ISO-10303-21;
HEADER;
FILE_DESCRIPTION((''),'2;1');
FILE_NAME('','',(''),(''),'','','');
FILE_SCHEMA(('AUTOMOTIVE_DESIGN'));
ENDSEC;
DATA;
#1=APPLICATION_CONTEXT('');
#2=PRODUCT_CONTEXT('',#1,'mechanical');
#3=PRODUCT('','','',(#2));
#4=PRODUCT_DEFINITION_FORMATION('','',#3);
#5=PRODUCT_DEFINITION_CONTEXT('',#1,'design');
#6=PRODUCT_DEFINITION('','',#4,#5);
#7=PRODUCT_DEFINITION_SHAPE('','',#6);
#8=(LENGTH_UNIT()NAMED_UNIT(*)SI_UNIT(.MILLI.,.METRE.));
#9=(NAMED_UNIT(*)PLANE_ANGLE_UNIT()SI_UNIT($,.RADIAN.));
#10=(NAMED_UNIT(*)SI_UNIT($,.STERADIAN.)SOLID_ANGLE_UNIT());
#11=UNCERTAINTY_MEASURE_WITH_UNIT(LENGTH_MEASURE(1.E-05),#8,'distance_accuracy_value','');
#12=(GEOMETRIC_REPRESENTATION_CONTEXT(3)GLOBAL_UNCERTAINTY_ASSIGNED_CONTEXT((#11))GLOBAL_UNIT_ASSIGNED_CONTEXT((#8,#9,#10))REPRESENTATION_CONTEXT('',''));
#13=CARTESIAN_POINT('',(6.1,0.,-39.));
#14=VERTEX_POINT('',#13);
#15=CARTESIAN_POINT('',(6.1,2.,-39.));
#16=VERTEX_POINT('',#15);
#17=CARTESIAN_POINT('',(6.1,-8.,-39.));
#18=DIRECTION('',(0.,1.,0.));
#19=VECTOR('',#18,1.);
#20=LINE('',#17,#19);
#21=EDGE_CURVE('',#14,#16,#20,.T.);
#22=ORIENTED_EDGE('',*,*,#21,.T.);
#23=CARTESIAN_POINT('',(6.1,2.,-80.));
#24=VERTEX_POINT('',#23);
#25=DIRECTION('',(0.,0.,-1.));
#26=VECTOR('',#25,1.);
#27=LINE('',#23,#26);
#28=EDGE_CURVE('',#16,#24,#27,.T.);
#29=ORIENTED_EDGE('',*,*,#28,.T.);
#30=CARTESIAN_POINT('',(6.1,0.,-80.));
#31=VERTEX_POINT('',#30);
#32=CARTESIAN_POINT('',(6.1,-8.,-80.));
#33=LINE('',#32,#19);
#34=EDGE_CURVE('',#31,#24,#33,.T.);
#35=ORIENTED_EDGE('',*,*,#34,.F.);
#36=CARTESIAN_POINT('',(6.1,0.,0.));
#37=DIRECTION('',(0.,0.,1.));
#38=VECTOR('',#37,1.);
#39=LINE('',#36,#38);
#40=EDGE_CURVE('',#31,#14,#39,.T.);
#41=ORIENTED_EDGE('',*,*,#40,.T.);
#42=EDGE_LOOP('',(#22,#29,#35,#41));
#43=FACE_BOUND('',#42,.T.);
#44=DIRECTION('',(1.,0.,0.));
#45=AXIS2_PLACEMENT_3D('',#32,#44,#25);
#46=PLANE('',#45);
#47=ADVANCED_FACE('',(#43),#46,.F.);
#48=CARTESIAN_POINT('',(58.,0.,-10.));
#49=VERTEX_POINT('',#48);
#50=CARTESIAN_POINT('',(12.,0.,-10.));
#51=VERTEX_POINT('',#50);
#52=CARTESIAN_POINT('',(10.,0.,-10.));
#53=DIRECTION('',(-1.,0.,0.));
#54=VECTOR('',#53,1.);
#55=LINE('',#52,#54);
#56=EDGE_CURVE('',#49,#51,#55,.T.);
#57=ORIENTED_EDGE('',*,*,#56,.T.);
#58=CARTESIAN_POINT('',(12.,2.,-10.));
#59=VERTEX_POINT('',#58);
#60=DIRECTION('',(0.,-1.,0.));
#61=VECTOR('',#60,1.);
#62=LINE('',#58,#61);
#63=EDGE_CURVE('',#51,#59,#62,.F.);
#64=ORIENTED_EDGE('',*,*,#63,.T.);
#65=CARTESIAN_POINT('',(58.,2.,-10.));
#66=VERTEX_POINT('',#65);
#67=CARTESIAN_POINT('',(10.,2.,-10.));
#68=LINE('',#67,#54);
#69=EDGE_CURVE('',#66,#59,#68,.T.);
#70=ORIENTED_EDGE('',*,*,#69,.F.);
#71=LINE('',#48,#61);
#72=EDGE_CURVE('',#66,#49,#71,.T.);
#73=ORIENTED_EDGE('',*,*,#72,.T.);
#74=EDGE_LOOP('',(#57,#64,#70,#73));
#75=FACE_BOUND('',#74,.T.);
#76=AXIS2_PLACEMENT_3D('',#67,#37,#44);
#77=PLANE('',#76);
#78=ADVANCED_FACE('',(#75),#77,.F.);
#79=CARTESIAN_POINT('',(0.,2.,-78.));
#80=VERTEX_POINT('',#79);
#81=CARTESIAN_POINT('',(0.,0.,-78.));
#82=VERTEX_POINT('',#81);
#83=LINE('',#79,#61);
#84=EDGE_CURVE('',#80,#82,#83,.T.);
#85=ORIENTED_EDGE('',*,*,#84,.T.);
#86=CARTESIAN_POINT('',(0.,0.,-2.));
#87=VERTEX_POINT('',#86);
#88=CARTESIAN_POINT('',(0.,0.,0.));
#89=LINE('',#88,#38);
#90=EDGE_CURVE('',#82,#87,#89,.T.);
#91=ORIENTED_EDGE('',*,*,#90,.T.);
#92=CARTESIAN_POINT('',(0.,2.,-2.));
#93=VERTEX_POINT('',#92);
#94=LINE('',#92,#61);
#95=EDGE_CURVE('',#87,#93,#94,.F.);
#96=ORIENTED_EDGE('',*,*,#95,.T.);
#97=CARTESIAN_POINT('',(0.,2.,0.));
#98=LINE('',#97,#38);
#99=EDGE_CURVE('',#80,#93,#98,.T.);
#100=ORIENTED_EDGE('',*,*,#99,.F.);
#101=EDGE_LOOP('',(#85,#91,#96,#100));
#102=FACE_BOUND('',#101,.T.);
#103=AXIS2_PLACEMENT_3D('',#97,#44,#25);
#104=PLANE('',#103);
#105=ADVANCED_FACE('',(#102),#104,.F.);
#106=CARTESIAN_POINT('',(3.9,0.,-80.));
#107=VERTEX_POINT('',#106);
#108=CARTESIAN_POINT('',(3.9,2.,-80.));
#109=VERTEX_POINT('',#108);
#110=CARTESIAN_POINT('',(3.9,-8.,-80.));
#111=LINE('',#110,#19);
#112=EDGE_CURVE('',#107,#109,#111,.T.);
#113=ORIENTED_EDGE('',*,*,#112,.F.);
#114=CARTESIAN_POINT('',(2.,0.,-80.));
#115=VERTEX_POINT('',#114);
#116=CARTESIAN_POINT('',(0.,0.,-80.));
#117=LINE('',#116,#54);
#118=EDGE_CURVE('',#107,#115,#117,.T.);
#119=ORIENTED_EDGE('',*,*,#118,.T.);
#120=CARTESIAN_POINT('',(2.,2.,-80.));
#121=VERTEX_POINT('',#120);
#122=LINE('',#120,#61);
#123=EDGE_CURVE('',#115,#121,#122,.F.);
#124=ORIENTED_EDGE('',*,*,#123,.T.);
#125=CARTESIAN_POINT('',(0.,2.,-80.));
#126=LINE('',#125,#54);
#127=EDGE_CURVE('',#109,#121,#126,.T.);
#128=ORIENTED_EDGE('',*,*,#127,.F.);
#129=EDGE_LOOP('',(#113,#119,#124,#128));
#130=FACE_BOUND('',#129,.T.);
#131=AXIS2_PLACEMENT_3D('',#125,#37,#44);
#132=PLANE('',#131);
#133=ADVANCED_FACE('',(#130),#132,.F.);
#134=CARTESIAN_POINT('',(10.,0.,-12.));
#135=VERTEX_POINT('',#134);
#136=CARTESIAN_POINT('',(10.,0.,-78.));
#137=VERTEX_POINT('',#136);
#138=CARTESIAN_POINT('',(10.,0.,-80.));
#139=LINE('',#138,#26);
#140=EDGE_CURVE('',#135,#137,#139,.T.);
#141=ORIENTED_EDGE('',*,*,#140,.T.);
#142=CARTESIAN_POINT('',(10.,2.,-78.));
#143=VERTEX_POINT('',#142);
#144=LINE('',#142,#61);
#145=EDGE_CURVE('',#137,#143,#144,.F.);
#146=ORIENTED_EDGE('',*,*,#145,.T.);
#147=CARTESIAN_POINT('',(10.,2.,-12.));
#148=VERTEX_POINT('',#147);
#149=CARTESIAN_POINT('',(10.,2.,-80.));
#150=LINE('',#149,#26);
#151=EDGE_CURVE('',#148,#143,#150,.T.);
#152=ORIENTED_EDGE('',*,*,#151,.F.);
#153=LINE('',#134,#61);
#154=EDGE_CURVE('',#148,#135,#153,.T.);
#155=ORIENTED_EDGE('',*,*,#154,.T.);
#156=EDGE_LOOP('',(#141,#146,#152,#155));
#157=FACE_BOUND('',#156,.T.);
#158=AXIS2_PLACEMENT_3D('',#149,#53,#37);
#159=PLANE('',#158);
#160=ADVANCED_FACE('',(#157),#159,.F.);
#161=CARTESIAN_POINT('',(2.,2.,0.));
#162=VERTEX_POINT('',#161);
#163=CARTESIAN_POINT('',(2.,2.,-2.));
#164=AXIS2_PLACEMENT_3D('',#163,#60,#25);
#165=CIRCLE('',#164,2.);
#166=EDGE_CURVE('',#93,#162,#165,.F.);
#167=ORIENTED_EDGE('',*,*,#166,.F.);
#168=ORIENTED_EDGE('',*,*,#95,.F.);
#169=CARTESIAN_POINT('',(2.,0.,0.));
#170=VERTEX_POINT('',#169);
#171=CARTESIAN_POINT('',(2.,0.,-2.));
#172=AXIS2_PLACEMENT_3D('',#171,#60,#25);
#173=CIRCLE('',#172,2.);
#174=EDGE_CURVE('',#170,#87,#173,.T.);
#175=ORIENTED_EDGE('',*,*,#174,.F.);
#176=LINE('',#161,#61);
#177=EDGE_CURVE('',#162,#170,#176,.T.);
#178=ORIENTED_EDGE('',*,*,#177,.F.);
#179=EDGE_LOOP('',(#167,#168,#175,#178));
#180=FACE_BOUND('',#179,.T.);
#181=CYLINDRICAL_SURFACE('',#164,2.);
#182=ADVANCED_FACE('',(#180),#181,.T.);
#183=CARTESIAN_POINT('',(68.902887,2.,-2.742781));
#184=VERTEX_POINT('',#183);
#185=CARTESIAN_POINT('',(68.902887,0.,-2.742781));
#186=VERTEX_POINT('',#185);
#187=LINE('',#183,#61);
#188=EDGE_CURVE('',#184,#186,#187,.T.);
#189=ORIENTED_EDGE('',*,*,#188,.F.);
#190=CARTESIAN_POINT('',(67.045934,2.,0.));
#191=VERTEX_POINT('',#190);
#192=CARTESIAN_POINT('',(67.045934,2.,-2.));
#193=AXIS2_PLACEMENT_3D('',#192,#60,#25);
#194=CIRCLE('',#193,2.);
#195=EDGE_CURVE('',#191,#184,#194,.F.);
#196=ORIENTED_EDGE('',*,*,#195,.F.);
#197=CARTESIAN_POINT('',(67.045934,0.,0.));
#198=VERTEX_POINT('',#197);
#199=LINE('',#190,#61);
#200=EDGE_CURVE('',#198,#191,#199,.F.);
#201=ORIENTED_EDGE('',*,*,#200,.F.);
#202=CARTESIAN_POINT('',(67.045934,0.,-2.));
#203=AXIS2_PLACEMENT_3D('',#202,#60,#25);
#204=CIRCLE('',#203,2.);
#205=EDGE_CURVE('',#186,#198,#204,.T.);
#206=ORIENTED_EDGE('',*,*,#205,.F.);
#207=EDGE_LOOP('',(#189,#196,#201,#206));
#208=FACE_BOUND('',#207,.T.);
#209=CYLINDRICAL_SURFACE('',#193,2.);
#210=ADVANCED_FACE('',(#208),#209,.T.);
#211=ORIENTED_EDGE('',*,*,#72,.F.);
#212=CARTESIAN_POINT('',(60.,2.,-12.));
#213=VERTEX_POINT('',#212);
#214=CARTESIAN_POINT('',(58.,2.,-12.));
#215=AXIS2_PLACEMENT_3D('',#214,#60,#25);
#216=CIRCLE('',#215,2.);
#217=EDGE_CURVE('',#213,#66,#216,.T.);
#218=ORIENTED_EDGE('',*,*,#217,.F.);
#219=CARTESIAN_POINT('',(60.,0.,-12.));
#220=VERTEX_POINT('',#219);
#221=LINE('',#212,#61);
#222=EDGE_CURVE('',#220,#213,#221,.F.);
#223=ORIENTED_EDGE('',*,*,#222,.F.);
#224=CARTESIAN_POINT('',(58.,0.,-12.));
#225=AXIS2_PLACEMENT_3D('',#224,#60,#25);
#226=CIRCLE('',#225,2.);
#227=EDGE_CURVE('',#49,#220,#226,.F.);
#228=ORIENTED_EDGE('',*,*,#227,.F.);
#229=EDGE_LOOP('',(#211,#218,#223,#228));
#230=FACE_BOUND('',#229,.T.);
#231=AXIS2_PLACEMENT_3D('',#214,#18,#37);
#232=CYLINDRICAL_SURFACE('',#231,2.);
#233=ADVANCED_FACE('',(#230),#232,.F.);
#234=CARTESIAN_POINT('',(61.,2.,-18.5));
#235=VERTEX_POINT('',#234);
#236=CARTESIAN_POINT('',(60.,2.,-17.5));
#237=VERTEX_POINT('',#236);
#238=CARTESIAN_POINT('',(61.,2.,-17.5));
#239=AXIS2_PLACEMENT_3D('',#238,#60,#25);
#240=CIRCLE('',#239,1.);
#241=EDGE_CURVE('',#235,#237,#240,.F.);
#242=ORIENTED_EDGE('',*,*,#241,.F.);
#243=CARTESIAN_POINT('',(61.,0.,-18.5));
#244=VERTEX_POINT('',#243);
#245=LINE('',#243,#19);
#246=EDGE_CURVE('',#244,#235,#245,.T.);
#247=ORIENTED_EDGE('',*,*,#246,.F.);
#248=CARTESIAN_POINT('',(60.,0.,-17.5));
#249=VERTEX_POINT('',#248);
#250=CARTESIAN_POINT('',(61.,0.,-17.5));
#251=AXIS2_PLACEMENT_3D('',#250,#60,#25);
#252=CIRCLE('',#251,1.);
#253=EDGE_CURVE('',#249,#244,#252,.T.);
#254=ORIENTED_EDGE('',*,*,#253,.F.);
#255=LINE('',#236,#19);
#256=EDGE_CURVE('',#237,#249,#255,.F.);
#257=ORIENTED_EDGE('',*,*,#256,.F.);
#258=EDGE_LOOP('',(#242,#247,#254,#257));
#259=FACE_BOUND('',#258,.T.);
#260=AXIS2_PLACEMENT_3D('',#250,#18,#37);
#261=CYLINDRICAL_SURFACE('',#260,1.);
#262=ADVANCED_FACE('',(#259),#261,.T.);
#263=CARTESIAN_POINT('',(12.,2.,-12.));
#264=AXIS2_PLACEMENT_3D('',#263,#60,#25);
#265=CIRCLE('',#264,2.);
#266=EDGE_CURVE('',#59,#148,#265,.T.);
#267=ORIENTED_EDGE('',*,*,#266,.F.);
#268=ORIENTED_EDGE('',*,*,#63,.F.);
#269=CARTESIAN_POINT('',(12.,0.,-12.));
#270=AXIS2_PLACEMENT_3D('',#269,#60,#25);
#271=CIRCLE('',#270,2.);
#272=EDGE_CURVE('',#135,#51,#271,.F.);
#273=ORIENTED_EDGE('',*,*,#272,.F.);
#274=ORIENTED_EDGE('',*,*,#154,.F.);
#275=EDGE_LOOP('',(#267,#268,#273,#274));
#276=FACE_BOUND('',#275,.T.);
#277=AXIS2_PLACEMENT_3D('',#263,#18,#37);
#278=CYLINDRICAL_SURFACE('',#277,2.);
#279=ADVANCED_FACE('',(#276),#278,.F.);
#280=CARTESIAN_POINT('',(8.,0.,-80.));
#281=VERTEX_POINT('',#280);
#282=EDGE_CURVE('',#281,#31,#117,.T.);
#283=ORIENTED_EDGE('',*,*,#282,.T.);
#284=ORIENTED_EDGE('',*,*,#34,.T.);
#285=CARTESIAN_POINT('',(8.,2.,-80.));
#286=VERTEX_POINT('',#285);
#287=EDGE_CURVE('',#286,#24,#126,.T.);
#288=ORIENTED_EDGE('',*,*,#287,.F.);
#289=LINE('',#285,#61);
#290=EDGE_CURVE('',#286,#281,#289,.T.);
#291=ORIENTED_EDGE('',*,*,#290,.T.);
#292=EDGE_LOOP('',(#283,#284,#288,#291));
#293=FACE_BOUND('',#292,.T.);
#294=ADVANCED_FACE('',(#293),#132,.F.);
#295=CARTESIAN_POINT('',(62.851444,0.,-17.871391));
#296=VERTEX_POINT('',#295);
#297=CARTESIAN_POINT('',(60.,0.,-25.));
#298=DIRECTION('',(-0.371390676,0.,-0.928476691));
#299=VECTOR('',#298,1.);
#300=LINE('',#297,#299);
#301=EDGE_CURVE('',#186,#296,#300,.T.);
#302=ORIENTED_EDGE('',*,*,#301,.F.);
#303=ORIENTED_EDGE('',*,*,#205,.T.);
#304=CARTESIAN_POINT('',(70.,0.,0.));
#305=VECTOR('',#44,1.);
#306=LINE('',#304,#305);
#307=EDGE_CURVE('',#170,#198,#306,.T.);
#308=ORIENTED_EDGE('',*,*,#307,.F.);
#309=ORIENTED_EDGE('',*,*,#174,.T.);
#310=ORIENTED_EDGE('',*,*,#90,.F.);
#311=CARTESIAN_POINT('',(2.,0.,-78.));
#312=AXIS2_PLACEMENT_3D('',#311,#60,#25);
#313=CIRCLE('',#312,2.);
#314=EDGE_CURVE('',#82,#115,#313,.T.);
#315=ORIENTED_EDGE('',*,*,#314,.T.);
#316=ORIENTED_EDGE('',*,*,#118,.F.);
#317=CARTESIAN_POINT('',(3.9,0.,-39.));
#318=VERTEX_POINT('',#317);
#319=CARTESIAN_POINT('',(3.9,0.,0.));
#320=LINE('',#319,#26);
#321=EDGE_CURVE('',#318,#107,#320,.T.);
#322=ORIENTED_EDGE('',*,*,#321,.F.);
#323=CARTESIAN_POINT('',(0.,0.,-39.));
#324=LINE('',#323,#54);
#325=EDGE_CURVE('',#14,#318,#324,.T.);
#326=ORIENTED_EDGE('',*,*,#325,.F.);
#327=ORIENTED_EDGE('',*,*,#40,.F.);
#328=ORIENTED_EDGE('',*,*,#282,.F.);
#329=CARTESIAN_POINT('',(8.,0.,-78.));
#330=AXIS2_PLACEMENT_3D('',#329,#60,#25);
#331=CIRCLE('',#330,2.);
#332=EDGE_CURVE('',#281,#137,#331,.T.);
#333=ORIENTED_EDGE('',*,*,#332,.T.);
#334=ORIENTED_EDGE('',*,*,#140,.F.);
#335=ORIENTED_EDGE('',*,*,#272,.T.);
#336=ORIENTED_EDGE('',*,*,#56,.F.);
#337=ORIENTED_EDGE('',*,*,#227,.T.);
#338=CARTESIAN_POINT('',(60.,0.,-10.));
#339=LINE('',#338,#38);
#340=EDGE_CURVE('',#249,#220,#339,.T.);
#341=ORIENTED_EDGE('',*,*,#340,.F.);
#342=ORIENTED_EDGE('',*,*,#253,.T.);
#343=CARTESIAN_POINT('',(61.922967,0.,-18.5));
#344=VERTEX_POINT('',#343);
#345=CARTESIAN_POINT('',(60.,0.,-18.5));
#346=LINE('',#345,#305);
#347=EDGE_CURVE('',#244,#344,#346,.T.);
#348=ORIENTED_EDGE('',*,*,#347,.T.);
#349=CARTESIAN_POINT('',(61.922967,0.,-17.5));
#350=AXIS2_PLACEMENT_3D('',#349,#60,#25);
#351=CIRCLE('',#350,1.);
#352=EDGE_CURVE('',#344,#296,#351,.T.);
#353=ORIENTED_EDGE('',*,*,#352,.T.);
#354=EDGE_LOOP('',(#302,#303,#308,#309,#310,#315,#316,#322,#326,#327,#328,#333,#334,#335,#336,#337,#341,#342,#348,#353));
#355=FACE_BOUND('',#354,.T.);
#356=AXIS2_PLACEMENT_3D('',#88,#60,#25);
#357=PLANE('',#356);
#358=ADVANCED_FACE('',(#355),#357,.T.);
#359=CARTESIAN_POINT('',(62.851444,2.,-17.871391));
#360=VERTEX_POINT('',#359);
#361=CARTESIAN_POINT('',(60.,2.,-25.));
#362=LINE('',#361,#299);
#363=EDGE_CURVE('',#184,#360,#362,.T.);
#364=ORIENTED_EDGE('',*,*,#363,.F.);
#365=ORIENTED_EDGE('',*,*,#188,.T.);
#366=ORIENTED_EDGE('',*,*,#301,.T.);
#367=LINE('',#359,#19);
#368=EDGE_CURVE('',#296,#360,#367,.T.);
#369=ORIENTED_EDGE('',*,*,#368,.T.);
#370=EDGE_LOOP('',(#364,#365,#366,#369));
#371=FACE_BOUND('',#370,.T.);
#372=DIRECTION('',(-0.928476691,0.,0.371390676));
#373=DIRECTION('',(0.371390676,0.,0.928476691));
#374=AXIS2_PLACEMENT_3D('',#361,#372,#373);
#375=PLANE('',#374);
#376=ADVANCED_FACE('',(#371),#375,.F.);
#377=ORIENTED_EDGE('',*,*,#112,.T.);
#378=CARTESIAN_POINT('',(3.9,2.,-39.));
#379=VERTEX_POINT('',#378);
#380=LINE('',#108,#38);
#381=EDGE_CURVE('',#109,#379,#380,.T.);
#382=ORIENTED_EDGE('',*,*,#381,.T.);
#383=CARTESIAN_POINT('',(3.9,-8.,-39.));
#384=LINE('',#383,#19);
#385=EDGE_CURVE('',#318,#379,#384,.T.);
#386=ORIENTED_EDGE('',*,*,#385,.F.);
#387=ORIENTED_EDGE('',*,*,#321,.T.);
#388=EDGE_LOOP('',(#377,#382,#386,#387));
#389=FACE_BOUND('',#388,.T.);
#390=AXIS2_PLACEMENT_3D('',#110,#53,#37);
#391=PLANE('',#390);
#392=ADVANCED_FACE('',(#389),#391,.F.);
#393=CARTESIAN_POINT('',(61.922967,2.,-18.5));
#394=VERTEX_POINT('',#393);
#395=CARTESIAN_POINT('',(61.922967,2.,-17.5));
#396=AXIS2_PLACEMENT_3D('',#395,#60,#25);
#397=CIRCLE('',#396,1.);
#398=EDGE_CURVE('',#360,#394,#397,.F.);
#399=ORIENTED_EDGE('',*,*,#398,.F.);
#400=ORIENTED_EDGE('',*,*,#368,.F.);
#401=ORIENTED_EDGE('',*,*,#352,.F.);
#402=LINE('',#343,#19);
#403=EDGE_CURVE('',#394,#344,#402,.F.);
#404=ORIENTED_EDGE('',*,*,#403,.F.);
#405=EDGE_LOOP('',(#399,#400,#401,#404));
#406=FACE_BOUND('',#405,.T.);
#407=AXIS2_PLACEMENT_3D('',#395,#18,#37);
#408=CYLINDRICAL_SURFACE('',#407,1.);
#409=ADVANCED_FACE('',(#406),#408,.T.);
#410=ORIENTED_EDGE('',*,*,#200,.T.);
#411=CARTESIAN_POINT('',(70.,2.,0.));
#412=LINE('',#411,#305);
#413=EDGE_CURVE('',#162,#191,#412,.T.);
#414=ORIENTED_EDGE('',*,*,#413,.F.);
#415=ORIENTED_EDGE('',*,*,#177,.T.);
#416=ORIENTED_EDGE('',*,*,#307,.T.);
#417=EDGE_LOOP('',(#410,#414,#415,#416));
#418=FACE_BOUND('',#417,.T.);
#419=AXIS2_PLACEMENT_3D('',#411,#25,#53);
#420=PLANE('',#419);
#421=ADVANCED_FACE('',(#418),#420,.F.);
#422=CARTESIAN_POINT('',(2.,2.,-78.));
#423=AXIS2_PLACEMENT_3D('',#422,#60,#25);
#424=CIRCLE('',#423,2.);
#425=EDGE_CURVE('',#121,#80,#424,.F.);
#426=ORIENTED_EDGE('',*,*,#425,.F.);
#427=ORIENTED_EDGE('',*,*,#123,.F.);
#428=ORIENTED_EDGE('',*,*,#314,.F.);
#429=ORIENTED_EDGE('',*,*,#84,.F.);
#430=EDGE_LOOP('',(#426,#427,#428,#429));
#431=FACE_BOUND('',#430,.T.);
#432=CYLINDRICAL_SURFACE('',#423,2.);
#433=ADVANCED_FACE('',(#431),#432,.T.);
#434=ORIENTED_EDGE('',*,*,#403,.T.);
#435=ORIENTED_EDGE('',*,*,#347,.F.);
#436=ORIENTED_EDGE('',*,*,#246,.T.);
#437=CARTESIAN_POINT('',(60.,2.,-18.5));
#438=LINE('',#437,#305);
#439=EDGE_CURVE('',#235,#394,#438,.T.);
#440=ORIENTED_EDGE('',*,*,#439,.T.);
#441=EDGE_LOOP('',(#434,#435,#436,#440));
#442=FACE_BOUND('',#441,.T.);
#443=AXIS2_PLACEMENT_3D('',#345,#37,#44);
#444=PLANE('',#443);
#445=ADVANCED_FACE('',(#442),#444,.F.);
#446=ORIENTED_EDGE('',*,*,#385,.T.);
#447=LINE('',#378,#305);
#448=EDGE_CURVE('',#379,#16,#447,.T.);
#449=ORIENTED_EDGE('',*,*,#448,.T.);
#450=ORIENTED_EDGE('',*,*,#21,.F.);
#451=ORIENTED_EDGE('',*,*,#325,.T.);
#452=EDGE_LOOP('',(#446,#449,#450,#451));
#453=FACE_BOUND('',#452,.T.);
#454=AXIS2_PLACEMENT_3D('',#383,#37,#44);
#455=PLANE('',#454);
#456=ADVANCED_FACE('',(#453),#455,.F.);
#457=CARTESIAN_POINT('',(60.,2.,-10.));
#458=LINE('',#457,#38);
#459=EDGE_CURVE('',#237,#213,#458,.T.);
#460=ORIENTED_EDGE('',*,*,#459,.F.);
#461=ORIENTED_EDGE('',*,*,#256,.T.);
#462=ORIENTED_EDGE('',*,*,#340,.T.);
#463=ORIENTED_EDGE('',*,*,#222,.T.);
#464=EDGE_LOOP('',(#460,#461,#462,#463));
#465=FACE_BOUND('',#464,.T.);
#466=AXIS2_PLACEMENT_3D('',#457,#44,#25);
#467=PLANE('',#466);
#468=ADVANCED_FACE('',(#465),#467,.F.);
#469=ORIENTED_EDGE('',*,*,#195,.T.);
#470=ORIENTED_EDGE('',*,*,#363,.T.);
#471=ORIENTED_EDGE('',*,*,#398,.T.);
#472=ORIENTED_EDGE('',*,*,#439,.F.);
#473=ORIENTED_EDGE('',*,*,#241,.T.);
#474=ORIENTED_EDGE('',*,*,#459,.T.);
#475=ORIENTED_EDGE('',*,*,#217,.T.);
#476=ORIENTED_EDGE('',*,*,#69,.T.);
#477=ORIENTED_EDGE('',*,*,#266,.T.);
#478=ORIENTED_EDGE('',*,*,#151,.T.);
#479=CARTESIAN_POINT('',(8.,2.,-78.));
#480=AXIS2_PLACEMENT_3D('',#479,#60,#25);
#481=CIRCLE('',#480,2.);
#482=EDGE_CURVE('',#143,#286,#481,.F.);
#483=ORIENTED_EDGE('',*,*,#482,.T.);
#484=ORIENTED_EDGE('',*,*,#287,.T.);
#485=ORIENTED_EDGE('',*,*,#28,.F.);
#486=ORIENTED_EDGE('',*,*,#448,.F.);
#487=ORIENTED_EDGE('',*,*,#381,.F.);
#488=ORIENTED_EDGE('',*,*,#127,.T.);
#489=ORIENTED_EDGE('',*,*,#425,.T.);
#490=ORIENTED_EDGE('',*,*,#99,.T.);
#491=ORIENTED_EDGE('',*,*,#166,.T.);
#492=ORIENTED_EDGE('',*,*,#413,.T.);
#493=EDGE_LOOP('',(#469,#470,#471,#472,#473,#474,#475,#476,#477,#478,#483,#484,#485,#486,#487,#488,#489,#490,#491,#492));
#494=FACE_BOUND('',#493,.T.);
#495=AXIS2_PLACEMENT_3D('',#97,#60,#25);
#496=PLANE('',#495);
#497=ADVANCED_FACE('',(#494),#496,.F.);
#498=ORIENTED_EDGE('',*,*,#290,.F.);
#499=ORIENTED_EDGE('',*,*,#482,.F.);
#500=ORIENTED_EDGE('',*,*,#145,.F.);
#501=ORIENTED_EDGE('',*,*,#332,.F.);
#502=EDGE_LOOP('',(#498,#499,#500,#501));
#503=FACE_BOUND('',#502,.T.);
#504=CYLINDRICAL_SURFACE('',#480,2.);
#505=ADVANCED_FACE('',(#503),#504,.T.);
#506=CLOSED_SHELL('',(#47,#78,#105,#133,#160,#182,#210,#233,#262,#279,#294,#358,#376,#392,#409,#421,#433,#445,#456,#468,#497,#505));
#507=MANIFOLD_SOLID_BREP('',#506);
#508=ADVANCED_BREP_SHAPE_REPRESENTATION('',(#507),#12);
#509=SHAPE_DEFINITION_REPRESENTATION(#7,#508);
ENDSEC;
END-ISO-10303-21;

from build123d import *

# Parameters (mm, degrees)
BOSS_EXTRUDE1_DEPTH = 2
FILLET1_R           = 2
CUT_EXTRUDE1_DEPTH  = 106.694564726
FILLET2_R           = 1
SKETCH3_W           = 2.2
SKETCH3_H           = 41
CUT_EXTRUDE2_DEPTH  = 10


with BuildPart() as part:
    # Sketch1 → Boss-Extrude1 (new body)
    with BuildSketch(Plane(origin=(0, 0, 0), x_dir=(1, 0, 0), z_dir=(0, 1, 0))):
        Polygon((0, 0), (0, 80), (10, 80), (10, 10), (60, 10), (60, 25), (70, 0), align=None)
    extrude(amount=BOSS_EXTRUDE1_DEPTH)

    # Fillet1
    fillet1_edges = [part.edges().sort_by_distance(p)[0] for p in [
        (0, 1, 0),
        (0, 1, -80),
        (10, 1, -80),
        (10, 1, -10),
        (60, 1, -10),
        (70, 1, 0),
    ]]
    fillet(fillet1_edges, radius=FILLET1_R)

    # Sketch2 → Cut-Extrude1 (cut, through all)
    with BuildSketch(Plane(origin=(0, 2, 0), x_dir=(1, 0, 0), z_dir=(0, 1, 0))):
        Polygon((60, 18.5), (62.6, 18.5), (60, 25), align=None)
    extrude(amount=-CUT_EXTRUDE1_DEPTH, mode=Mode.SUBTRACT)

    # Fillet2
    fillet2_edges = [part.edges().sort_by_distance(p)[0] for p in [
        (60, 1, -18.5),
        (62.6, 1, -18.5),
    ]]
    fillet(fillet2_edges, radius=FILLET2_R)

    # Sketch3 → Cut-Extrude2 (cut)
    with BuildSketch(Plane(origin=(0, 2, 0), x_dir=(1, 0, 0), z_dir=(0, 1, 0))):
        with Locations((5, 59.5)):
            Rectangle(SKETCH3_W, SKETCH3_H)
    extrude(amount=-CUT_EXTRUDE2_DEPTH, mode=Mode.SUBTRACT)


solid = part.part
